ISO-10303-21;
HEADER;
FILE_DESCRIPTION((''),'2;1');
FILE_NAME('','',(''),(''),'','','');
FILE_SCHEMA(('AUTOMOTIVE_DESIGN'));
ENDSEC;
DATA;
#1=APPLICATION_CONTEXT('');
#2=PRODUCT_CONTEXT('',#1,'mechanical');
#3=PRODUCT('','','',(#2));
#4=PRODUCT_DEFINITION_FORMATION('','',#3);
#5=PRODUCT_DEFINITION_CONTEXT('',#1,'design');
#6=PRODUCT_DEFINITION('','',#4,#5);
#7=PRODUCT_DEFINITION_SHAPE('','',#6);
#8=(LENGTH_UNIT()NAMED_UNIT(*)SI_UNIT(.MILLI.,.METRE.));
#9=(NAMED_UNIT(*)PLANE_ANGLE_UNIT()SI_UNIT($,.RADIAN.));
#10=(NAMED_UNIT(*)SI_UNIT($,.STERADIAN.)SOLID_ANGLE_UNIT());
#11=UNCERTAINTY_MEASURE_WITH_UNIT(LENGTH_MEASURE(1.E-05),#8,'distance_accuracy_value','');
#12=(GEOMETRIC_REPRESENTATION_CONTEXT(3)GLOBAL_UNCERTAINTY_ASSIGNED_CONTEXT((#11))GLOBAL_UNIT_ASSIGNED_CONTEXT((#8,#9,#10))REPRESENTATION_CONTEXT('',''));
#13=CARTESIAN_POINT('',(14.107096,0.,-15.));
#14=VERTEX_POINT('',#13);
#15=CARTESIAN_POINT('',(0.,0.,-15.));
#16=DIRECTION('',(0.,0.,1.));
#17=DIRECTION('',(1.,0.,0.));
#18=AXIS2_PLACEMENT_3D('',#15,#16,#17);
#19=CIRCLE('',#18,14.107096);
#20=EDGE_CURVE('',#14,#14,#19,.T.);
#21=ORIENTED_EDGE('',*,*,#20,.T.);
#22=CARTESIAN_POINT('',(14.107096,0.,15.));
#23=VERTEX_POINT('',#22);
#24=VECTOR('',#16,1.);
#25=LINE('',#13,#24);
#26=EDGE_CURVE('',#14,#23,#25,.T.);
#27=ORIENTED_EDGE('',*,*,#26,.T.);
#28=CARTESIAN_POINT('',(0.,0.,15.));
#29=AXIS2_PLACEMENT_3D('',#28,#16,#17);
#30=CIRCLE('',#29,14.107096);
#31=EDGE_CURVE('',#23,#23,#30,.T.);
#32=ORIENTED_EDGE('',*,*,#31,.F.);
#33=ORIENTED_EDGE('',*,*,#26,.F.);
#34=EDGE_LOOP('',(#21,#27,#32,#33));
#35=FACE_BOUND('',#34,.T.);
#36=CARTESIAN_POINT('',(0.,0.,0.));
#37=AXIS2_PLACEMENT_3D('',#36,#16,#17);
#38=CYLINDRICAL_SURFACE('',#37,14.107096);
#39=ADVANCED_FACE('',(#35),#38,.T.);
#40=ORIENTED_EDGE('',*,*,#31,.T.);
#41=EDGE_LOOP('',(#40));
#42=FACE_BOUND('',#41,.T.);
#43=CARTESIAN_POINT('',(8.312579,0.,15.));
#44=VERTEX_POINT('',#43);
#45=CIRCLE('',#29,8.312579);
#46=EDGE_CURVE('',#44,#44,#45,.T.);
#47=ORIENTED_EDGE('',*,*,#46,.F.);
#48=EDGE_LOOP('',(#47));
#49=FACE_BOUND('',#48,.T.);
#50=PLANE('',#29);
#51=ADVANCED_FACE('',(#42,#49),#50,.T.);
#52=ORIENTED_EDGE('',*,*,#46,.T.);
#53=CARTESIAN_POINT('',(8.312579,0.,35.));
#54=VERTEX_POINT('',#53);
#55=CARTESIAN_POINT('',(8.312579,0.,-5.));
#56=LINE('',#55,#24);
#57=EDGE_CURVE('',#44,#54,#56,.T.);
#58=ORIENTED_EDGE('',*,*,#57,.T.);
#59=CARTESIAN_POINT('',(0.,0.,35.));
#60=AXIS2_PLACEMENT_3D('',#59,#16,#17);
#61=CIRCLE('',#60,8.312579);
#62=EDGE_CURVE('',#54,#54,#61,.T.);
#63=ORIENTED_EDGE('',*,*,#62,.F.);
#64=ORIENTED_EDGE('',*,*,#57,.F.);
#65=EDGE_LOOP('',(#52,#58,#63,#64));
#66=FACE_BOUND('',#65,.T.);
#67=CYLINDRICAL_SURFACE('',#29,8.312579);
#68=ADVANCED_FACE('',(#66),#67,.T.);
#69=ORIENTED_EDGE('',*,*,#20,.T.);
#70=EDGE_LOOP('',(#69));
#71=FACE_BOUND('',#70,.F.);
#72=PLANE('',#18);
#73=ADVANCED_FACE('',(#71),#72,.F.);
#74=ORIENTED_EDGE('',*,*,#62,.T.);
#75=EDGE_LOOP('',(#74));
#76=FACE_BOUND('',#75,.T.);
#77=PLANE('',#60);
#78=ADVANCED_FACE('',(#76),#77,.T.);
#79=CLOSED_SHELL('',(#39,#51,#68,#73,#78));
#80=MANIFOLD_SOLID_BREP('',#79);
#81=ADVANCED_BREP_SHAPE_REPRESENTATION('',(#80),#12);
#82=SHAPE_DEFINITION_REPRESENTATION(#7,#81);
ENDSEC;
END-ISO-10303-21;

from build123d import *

# Parameters (mm, degrees)
F0_R     = 14.107096
F1_DEPTH = 15
F2_R     = 8.312579
F3_DEPTH = 20


with BuildPart() as f1:
    # F0 (on Top) → F1 (new body, symmetric)
    with BuildSketch(Plane.XY):
        Circle(F0_R)
    extrude(amount=F1_DEPTH, both=True)

    # F2 (on face) → F3 (join, symmetric)
    with BuildSketch(Plane.XY.offset(15)):
        Circle(F2_R)
    extrude(amount=F3_DEPTH, both=True)


solid = f1.part
